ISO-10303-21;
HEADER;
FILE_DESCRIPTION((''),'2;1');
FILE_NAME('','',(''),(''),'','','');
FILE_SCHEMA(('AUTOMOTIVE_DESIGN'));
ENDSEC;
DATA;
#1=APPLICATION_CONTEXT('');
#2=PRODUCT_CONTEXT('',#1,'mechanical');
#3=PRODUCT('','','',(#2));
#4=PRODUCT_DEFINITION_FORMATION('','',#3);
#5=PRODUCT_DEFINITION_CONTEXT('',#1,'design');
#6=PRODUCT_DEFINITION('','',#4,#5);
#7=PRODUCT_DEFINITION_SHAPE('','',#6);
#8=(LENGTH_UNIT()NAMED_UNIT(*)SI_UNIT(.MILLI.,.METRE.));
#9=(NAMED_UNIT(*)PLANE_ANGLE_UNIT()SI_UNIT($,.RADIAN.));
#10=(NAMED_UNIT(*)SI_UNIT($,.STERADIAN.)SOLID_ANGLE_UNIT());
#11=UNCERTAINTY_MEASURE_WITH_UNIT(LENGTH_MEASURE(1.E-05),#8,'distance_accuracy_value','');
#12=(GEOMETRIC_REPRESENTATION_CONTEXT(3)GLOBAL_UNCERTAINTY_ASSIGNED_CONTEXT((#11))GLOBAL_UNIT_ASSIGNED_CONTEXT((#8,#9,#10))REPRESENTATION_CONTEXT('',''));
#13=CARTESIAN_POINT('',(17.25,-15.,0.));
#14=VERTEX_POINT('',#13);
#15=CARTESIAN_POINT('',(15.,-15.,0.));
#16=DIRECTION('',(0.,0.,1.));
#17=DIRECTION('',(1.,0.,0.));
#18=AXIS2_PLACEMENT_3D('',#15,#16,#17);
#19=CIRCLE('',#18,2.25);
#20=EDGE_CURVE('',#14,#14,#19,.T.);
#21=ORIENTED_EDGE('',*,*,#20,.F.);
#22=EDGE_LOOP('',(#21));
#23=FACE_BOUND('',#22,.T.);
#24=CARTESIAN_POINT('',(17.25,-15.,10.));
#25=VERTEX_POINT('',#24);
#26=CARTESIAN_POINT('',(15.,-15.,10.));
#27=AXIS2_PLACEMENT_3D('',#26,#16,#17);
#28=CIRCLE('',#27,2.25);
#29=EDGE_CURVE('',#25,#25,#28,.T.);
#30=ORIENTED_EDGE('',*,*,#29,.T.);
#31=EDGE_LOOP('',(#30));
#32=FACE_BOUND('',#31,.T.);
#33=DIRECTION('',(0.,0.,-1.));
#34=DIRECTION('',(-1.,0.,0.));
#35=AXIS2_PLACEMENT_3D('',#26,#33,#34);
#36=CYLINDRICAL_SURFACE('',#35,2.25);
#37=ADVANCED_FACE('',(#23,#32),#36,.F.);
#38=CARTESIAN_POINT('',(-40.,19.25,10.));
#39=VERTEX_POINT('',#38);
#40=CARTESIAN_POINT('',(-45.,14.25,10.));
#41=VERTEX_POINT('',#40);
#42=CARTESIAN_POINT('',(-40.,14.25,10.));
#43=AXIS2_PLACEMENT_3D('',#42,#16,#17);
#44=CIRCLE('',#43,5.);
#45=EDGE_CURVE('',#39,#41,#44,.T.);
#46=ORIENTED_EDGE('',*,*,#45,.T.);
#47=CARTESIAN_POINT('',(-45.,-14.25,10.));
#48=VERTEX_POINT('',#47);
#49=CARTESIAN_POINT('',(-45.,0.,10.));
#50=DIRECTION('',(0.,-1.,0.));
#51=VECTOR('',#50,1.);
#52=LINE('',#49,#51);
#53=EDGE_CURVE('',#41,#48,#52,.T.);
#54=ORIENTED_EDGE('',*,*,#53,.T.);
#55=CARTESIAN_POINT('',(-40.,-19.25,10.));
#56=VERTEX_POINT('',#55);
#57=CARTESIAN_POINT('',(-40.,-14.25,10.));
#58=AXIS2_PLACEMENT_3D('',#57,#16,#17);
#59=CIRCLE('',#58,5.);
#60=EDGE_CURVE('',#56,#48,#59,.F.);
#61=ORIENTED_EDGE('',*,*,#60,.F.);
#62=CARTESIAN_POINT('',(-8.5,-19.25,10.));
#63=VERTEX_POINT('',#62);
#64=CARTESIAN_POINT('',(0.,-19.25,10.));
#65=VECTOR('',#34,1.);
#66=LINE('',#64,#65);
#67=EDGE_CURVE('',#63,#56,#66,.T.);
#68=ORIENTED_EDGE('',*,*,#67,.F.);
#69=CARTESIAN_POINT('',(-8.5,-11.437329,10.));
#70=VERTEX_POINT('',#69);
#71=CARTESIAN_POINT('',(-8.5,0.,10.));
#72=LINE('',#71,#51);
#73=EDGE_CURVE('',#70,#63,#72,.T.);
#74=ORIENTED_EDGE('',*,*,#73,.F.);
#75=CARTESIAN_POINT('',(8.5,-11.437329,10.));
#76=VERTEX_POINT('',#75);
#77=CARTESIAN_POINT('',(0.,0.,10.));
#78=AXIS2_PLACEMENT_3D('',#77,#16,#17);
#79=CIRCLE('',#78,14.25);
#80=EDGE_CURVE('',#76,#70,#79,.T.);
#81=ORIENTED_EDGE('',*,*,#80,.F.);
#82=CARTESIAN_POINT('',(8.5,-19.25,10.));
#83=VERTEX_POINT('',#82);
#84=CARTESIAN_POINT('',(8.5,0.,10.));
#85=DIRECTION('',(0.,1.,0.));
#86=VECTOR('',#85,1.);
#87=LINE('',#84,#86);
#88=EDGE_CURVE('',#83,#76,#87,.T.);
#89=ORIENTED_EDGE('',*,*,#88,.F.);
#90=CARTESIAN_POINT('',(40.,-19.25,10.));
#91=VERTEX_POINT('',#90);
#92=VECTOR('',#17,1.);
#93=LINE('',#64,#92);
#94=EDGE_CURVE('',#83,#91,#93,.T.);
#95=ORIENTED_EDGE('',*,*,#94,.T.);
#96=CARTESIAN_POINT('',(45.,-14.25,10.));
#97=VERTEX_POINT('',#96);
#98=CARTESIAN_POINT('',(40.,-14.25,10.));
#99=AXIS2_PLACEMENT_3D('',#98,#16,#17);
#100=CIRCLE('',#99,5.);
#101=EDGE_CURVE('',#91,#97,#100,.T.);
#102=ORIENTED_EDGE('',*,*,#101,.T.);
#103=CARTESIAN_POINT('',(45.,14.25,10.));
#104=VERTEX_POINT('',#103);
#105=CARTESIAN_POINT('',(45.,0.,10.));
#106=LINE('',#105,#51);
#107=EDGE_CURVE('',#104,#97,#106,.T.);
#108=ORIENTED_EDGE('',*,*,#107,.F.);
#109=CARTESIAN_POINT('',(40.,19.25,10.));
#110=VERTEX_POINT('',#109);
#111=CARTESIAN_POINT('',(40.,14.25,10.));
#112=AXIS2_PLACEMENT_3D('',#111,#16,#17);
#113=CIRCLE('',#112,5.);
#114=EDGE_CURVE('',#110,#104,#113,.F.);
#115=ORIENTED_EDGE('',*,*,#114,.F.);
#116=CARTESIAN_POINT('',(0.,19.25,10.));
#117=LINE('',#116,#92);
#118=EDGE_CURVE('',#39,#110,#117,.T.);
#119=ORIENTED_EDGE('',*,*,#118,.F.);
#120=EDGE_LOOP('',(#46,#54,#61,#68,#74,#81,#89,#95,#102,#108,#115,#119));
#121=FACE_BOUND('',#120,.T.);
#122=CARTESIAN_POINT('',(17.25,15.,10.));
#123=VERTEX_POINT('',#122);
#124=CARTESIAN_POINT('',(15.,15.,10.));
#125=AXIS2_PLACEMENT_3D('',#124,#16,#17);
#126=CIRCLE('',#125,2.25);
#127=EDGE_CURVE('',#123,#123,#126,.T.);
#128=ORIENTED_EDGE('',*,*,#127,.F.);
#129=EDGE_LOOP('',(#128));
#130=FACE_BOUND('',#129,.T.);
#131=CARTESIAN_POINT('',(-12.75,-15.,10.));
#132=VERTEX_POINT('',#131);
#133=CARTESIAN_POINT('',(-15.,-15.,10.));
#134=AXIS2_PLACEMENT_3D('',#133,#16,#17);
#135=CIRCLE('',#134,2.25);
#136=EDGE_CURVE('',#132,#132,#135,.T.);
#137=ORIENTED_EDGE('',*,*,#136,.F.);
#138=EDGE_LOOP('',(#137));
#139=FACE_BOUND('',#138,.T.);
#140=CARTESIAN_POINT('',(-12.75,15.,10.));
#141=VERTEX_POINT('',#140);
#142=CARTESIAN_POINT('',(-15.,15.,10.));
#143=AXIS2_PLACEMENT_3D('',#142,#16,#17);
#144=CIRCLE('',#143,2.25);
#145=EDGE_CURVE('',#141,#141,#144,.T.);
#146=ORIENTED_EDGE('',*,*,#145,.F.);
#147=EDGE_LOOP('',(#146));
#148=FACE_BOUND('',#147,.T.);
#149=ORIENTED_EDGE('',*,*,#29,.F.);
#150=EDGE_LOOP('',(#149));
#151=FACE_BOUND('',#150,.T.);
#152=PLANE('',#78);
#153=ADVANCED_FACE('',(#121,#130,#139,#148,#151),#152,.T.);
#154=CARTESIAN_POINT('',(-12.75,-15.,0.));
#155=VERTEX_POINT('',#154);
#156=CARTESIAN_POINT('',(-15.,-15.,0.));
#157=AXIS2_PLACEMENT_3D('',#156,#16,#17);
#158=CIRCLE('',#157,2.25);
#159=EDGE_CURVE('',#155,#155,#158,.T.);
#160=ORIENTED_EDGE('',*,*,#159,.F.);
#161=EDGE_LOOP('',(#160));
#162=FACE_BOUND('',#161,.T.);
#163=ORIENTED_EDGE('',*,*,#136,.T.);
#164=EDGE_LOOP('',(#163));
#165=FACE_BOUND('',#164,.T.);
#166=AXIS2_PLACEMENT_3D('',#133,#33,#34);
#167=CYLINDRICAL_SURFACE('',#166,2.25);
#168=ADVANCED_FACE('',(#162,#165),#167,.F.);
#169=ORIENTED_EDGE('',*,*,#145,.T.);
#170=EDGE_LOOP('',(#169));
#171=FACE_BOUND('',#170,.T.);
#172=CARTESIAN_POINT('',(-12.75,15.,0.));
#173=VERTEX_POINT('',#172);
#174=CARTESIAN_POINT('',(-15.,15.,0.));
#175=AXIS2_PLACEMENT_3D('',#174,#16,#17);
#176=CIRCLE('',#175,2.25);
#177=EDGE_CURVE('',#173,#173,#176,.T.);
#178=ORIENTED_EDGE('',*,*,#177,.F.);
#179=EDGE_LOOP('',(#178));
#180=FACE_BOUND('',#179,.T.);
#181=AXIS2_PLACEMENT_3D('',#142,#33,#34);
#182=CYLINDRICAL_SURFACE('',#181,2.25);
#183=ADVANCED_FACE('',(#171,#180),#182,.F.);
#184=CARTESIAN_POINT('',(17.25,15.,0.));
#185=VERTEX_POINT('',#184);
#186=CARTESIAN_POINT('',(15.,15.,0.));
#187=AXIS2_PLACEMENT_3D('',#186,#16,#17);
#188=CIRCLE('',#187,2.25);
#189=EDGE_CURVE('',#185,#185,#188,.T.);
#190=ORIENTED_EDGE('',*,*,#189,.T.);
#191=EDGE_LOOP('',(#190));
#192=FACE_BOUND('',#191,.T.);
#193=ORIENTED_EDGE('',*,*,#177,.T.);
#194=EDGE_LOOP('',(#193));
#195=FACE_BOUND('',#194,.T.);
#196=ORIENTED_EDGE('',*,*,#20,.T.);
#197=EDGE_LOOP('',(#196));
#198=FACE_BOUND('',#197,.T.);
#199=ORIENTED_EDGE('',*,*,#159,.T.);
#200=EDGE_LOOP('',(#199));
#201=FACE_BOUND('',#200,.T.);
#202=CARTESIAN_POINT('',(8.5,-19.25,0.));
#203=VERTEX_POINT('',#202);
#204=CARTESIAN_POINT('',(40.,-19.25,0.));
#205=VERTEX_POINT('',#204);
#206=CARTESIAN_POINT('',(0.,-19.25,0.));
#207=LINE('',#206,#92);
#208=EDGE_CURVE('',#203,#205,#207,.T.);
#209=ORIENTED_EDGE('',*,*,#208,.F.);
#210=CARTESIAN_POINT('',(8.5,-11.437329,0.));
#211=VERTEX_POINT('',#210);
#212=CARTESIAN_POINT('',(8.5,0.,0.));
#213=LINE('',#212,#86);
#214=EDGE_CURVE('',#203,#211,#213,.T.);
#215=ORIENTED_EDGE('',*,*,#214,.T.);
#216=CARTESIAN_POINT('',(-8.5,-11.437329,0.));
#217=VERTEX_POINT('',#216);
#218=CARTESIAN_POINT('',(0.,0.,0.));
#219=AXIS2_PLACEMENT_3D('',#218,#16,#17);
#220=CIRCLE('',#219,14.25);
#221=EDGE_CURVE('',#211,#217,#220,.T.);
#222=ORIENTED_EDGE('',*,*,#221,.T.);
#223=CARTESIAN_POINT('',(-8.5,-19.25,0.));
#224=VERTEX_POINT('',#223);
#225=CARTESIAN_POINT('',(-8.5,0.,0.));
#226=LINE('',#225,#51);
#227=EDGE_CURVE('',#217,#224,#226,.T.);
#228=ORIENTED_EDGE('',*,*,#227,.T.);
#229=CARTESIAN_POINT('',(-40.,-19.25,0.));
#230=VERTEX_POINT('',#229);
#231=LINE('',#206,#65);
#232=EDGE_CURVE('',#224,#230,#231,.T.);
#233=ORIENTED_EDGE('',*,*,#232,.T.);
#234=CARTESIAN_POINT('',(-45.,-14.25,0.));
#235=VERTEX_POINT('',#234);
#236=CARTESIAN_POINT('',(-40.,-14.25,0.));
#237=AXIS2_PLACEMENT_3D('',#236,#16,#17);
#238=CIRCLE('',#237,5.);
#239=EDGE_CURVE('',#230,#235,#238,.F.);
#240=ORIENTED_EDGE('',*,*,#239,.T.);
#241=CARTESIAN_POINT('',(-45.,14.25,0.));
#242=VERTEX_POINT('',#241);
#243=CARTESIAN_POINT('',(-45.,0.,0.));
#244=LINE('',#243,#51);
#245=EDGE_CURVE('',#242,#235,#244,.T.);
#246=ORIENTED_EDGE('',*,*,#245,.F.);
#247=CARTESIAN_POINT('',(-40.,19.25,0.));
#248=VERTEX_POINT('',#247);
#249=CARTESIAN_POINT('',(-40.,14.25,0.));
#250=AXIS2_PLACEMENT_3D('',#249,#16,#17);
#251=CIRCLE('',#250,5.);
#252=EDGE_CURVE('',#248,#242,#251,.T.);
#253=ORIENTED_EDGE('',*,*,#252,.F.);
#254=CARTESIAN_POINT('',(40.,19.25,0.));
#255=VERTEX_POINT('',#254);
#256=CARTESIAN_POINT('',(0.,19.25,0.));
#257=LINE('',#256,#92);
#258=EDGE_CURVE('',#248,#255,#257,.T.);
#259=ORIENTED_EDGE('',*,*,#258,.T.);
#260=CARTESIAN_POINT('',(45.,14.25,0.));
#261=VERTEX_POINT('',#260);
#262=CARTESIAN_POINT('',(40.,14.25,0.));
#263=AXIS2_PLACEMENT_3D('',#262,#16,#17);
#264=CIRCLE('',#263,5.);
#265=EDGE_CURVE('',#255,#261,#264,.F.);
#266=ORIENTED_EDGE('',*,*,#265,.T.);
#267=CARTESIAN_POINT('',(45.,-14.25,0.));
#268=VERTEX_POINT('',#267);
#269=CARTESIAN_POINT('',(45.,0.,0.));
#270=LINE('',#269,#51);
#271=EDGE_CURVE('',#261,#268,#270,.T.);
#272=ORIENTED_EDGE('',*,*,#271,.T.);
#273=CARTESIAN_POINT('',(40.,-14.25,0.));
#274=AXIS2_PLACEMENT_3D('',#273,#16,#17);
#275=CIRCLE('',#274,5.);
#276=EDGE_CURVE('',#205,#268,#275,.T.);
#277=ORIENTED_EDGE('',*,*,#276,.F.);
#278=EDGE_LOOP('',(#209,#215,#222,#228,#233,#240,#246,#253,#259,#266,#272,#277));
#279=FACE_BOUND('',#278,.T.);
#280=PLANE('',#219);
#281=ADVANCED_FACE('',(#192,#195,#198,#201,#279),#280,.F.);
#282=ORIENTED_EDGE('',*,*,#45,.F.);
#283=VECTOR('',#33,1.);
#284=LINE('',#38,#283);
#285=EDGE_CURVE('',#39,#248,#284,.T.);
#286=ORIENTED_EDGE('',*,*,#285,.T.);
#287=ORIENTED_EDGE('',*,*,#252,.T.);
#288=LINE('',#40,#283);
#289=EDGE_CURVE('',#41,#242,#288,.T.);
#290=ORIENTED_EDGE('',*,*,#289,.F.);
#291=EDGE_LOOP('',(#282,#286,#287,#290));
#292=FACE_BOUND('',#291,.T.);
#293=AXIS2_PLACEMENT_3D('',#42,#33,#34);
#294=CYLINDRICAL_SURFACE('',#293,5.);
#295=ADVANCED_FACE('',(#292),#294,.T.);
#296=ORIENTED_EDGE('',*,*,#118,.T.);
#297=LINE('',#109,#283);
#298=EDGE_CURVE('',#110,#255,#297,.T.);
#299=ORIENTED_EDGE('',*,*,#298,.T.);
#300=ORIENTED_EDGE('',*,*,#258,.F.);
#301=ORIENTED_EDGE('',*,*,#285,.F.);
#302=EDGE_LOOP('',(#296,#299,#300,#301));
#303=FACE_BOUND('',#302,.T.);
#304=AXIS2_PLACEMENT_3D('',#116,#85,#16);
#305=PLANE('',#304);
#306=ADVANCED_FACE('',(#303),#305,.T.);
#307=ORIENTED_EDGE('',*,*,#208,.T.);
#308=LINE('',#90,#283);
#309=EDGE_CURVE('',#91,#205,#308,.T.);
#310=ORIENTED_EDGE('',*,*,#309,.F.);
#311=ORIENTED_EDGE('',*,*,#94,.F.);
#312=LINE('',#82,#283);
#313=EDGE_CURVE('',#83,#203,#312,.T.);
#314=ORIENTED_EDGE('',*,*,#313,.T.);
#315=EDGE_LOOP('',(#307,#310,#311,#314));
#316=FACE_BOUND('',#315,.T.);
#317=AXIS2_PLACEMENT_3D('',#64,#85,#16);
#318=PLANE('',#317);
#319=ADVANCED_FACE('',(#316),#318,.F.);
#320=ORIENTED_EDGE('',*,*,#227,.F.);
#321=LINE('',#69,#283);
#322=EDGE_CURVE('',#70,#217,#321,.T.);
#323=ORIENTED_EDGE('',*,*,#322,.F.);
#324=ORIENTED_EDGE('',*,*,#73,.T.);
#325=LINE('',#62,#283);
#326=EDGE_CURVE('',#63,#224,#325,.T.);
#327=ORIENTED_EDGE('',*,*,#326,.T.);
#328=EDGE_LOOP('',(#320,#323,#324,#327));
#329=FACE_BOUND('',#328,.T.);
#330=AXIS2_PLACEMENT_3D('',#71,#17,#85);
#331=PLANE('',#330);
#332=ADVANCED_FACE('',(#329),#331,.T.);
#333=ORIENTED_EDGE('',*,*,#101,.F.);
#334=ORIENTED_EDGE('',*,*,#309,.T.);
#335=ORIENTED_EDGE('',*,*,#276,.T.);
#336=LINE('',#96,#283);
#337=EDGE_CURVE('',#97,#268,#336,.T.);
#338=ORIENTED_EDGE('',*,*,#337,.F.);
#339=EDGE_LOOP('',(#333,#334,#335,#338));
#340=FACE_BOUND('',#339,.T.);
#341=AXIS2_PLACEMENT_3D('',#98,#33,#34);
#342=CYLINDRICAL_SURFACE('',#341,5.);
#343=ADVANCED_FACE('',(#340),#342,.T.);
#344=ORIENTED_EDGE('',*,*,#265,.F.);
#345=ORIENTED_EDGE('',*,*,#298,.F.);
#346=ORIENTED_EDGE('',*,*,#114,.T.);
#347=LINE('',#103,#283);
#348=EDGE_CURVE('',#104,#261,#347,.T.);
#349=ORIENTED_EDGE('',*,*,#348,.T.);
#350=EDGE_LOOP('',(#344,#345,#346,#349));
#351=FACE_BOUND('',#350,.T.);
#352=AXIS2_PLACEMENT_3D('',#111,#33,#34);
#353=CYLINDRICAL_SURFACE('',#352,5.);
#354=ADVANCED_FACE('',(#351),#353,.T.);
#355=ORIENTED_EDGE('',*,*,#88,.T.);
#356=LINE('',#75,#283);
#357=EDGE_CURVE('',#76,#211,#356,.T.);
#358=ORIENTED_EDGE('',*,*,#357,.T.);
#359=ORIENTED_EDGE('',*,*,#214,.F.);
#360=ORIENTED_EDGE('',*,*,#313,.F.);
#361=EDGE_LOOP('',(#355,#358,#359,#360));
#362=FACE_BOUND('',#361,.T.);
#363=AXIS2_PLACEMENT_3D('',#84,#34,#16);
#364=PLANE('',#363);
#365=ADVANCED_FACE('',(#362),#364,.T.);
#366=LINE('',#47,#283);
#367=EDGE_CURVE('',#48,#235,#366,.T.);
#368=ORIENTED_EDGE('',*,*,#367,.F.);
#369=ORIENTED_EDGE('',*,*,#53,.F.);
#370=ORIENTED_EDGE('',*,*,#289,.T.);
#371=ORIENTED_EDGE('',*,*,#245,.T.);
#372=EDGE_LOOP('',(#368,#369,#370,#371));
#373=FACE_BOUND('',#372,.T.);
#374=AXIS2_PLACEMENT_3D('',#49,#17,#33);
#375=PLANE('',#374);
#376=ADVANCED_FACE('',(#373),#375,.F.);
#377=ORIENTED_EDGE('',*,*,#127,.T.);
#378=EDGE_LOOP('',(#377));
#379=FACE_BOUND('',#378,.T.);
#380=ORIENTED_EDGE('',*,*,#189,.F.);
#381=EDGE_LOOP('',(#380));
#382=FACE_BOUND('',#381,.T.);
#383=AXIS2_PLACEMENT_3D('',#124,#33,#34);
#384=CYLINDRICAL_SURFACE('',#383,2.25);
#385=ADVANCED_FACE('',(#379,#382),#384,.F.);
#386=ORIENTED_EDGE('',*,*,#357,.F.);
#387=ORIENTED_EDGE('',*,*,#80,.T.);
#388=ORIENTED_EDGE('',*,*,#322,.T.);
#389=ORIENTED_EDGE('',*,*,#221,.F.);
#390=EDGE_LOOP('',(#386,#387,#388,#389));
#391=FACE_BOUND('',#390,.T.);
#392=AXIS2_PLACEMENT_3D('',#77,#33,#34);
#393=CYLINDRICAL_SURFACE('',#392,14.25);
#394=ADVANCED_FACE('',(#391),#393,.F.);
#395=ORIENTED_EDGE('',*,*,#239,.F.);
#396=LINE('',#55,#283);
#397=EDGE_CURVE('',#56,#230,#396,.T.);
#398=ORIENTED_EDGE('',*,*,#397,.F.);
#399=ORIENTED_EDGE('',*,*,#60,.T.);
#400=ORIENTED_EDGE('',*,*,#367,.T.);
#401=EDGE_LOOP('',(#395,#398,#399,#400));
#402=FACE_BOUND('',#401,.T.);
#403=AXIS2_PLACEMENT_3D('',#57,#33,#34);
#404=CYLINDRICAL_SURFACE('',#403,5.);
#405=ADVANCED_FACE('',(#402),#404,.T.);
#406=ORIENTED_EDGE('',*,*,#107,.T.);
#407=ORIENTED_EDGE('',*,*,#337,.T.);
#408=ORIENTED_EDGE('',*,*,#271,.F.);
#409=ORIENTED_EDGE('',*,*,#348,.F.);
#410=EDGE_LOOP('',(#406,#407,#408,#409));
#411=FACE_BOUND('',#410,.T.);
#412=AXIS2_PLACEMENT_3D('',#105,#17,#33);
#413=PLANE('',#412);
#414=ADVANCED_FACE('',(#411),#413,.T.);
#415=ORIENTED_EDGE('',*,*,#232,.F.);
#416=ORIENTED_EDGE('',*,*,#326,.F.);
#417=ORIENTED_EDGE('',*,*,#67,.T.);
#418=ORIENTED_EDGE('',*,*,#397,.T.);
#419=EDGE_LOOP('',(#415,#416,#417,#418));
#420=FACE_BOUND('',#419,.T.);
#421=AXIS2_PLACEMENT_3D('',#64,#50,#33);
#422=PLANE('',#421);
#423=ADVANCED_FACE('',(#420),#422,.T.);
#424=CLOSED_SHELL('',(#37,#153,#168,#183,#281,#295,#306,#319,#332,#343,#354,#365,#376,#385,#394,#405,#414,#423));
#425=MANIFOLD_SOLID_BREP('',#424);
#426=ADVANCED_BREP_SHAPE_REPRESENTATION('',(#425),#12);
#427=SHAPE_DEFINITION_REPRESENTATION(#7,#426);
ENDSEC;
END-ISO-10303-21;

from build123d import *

# Parameters (mm, degrees)
SKETCH1_R           = 2.25
BOSS_EXTRUDE1_DEPTH = 10


with BuildPart() as part:
    # Sketch1 → Boss-Extrude1 (new body)
    with BuildSketch(Plane.XY):
        with BuildLine():
            Line((15, 19.25), (-15, 19.25))
            Line((-15, 19.25), (-30, 19.25))
            Line((-30, 19.25), (-40, 19.25))
            ThreePointArc((-40, 19.25), (-43.535533906, 17.785533906), (-45, 14.25))
            Line((-45, 14.25), (-45, -14.25))
            ThreePointArc((-45, -14.25), (-43.535533906, -17.785533906), (-40, -19.25))
            Line((-40, -19.25), (-30, -19.25))
            Line((-30, -19.25), (-15, -19.25))
            Line((-15, -19.25), (-8.5, -19.25))
            Line((-8.5, -19.25), (-8.5, -16.75))
            Line((-8.5, -16.75), (-8.5, -11.437329234))
            ThreePointArc((-8.5, -11.437329234), (0, 14.25), (8.5, -11.437329234))
            Line((8.5, -11.437329234), (8.5, -16.75))
            Line((8.5, -16.75), (8.5, -19.25))
            Line((8.5, -19.25), (15, -19.25))
            Line((15, -19.25), (30, -19.25))
            Line((30, -19.25), (40, -19.25))
            ThreePointArc((40, -19.25), (43.535533906, -17.785533906), (45, -14.25))
            Line((45, -14.25), (45, 14.25))
            ThreePointArc((45, 14.25), (43.535533906, 17.785533906), (40, 19.25))
            Line((40, 19.25), (30, 19.25))
            Line((30, 19.25), (15, 19.25))
        make_face()
        with Locations((-15, -15)):
            Circle(SKETCH1_R, mode=Mode.SUBTRACT)
        with Locations((15, -15)):
            Circle(SKETCH1_R, mode=Mode.SUBTRACT)
        with Locations((-15, 15)):
            Circle(SKETCH1_R, mode=Mode.SUBTRACT)
        with Locations((15, 15)):
            Circle(SKETCH1_R, mode=Mode.SUBTRACT)
    extrude(amount=BOSS_EXTRUDE1_DEPTH)


solid = part.part
